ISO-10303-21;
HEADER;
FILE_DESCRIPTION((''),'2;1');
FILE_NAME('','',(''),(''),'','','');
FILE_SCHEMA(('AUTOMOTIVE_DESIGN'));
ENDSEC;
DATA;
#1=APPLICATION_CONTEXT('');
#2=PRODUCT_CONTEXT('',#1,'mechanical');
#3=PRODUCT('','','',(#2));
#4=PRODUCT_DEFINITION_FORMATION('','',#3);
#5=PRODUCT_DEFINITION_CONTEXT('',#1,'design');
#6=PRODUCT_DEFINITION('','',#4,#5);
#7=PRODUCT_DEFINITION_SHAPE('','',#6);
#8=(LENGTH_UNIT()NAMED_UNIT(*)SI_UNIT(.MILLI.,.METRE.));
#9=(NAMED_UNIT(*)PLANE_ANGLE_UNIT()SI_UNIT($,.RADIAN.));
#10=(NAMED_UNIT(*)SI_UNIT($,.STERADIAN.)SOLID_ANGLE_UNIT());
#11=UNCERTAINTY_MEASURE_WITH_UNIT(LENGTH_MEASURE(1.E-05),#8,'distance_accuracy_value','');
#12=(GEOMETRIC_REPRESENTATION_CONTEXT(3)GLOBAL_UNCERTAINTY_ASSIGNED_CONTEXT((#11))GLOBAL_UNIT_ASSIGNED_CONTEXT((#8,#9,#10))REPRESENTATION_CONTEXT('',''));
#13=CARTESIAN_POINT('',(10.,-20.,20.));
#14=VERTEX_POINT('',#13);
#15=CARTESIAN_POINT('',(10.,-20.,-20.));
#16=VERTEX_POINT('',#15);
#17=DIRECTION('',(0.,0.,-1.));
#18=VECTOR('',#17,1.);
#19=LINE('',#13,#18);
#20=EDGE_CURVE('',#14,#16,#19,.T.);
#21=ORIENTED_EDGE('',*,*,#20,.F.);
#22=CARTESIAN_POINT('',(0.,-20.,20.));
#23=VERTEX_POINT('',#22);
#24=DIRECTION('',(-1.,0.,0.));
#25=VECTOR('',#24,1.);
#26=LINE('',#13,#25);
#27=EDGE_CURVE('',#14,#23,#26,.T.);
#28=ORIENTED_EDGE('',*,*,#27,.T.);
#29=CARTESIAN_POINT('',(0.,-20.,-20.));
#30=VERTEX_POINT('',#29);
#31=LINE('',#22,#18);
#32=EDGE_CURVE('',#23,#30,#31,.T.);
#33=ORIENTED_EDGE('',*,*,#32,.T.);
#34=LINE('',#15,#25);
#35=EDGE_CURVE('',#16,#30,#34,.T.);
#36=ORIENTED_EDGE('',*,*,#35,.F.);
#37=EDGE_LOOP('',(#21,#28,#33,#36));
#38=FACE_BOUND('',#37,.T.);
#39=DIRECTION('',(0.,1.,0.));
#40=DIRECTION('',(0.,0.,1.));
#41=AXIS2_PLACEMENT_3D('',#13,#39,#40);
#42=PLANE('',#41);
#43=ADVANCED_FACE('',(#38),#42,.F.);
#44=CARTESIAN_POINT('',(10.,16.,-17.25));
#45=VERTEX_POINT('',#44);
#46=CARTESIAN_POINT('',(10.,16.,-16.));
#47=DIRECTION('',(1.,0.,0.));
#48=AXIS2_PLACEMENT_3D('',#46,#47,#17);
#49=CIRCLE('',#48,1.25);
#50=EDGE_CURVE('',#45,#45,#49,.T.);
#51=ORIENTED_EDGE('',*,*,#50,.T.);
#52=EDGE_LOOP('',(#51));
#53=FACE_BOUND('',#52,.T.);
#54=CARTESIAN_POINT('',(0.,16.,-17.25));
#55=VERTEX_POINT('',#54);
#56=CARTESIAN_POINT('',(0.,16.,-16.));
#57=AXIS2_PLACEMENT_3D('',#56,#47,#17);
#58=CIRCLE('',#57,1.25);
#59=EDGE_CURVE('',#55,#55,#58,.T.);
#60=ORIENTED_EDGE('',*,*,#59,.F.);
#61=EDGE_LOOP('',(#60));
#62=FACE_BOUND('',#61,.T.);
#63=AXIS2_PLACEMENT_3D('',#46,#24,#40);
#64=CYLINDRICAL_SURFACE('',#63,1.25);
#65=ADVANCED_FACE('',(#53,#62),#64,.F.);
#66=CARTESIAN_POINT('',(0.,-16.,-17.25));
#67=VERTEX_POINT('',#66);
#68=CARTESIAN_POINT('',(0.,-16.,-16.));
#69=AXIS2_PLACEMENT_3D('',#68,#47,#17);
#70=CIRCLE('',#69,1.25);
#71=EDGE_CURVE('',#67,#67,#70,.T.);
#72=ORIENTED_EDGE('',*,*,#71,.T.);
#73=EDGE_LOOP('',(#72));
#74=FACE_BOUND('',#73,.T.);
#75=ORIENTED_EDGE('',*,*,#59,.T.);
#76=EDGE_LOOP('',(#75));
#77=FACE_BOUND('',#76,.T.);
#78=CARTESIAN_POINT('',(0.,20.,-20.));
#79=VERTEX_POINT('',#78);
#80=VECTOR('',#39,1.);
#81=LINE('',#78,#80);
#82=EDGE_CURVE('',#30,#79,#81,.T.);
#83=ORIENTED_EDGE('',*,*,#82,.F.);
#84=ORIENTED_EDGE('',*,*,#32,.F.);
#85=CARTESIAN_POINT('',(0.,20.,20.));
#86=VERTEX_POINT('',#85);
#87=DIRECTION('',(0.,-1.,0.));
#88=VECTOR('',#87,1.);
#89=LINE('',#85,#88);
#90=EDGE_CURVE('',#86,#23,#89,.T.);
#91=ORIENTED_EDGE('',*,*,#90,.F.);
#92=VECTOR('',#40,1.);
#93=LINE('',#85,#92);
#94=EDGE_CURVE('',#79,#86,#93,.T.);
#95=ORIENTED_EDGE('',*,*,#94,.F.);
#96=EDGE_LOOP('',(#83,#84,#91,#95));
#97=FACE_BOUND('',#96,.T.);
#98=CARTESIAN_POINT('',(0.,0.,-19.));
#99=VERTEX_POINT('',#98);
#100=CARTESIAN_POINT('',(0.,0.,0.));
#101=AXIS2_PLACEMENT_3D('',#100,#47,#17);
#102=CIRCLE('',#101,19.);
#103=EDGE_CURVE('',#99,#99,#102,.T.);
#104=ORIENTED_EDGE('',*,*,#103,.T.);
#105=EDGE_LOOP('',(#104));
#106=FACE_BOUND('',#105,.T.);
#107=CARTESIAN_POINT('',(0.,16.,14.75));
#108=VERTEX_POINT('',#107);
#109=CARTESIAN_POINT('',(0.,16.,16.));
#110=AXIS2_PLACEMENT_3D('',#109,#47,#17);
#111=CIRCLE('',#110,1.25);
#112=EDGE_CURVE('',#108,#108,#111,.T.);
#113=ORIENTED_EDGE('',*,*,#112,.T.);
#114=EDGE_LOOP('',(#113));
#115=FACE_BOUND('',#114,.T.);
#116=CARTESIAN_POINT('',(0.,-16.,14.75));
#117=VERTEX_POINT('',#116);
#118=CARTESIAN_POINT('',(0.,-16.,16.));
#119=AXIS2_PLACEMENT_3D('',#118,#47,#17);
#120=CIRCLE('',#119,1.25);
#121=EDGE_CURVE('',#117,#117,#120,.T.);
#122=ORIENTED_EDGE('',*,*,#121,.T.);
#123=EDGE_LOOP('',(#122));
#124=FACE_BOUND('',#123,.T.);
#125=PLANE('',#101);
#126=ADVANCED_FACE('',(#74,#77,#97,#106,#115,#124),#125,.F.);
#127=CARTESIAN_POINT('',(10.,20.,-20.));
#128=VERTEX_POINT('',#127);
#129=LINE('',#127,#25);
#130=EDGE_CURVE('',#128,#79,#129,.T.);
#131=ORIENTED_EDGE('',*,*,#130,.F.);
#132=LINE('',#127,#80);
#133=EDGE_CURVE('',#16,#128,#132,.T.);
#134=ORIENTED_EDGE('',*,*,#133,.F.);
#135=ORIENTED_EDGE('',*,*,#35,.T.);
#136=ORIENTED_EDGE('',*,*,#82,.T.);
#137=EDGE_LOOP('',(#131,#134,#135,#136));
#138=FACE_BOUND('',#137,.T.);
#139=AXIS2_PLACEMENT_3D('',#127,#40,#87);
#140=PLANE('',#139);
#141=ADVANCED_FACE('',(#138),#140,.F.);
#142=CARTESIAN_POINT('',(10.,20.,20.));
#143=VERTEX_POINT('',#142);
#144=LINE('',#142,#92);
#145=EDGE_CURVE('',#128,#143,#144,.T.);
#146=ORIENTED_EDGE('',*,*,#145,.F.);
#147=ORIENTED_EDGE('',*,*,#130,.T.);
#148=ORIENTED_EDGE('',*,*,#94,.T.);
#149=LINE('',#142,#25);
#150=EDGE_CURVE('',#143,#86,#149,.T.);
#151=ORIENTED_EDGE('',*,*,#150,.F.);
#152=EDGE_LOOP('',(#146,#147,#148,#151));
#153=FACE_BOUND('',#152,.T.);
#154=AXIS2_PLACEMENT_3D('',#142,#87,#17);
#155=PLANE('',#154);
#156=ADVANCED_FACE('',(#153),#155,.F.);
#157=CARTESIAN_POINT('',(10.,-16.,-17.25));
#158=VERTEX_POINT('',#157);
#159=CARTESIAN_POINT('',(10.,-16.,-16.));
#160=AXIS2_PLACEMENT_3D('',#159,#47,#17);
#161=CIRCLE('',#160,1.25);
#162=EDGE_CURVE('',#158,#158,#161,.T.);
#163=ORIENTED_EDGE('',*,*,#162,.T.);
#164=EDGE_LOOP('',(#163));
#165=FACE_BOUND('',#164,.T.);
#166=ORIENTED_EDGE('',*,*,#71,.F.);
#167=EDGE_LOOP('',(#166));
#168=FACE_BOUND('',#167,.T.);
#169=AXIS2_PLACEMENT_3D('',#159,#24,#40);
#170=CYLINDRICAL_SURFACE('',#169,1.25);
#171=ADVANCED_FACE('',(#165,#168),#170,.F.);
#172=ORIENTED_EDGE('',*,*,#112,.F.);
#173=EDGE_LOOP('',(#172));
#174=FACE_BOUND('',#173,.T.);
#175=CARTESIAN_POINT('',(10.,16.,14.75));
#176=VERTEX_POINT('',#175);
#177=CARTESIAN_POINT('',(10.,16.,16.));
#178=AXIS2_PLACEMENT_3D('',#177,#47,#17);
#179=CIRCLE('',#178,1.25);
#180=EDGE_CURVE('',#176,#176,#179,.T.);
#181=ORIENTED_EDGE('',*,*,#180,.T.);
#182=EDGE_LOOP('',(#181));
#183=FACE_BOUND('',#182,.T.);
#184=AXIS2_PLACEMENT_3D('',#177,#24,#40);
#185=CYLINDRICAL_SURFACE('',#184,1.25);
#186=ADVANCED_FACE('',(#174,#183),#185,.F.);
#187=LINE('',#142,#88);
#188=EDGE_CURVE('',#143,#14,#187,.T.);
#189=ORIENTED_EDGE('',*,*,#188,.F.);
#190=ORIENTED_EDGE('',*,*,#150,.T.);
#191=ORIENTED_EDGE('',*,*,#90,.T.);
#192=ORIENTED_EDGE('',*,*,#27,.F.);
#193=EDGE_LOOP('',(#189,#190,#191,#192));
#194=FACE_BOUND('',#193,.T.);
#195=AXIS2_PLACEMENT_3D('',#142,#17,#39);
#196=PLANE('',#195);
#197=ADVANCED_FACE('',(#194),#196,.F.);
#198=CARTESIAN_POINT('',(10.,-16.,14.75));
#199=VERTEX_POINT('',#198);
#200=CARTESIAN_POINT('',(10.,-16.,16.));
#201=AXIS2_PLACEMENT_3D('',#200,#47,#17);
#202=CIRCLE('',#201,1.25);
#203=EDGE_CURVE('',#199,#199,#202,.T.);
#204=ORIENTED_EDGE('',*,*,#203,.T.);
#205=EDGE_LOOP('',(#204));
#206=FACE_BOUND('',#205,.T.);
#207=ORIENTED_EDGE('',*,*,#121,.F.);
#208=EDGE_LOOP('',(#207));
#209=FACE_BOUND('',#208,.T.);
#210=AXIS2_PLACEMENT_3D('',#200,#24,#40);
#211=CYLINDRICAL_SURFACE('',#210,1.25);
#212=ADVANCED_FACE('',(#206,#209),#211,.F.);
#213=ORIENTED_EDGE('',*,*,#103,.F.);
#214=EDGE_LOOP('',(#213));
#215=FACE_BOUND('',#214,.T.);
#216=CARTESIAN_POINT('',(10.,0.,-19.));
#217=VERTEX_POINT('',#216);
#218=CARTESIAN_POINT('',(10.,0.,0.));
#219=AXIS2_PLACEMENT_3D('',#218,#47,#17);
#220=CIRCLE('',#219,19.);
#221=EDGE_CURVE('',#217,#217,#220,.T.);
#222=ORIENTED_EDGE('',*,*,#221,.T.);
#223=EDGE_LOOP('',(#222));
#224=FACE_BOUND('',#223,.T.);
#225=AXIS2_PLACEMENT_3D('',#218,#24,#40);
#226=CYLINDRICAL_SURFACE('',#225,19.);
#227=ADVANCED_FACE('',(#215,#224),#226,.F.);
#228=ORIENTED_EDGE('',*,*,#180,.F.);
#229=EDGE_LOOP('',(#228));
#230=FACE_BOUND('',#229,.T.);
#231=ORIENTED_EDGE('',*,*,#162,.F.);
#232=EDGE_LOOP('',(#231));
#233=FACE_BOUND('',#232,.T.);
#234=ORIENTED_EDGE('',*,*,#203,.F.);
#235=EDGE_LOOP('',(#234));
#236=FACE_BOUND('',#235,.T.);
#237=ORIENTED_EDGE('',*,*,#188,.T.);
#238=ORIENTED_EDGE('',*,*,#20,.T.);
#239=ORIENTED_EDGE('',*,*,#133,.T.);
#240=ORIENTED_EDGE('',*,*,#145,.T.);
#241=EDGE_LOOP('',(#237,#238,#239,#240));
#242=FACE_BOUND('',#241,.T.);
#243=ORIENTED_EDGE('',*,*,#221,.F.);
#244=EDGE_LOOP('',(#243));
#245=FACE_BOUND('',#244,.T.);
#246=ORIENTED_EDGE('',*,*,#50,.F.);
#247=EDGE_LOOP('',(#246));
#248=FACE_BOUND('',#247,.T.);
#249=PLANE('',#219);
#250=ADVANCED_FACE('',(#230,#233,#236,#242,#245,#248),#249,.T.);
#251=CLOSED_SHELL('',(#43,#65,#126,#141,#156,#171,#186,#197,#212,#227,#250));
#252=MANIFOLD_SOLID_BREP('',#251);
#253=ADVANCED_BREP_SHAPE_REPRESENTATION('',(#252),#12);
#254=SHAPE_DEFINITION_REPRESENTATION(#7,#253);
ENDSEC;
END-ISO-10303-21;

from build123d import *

# Parameters (mm, degrees)
SKETCH1_W           = 40
SKETCH1_H           = 40
SKETCH1_R           = 19
SKETCH1_R_2         = 1.25
BOSS_EXTRUDE1_DEPTH = 10


with BuildPart() as part:
    # Sketch1 → Boss-Extrude1 (new body)
    with BuildSketch(Plane(origin=(0, 0, 0), x_dir=(0, 0, -1), z_dir=(1, 0, 0))):
        Rectangle(SKETCH1_W, SKETCH1_H)
        Circle(SKETCH1_R, mode=Mode.SUBTRACT)
        with Locations((-16, 16)):
            Circle(SKETCH1_R_2, mode=Mode.SUBTRACT)
        with Locations((16, 16)):
            Circle(SKETCH1_R_2, mode=Mode.SUBTRACT)
        with Locations((16, -16)):
            Circle(SKETCH1_R_2, mode=Mode.SUBTRACT)
        with Locations((-16, -16)):
            Circle(SKETCH1_R_2, mode=Mode.SUBTRACT)
    extrude(amount=BOSS_EXTRUDE1_DEPTH)


solid = part.part
